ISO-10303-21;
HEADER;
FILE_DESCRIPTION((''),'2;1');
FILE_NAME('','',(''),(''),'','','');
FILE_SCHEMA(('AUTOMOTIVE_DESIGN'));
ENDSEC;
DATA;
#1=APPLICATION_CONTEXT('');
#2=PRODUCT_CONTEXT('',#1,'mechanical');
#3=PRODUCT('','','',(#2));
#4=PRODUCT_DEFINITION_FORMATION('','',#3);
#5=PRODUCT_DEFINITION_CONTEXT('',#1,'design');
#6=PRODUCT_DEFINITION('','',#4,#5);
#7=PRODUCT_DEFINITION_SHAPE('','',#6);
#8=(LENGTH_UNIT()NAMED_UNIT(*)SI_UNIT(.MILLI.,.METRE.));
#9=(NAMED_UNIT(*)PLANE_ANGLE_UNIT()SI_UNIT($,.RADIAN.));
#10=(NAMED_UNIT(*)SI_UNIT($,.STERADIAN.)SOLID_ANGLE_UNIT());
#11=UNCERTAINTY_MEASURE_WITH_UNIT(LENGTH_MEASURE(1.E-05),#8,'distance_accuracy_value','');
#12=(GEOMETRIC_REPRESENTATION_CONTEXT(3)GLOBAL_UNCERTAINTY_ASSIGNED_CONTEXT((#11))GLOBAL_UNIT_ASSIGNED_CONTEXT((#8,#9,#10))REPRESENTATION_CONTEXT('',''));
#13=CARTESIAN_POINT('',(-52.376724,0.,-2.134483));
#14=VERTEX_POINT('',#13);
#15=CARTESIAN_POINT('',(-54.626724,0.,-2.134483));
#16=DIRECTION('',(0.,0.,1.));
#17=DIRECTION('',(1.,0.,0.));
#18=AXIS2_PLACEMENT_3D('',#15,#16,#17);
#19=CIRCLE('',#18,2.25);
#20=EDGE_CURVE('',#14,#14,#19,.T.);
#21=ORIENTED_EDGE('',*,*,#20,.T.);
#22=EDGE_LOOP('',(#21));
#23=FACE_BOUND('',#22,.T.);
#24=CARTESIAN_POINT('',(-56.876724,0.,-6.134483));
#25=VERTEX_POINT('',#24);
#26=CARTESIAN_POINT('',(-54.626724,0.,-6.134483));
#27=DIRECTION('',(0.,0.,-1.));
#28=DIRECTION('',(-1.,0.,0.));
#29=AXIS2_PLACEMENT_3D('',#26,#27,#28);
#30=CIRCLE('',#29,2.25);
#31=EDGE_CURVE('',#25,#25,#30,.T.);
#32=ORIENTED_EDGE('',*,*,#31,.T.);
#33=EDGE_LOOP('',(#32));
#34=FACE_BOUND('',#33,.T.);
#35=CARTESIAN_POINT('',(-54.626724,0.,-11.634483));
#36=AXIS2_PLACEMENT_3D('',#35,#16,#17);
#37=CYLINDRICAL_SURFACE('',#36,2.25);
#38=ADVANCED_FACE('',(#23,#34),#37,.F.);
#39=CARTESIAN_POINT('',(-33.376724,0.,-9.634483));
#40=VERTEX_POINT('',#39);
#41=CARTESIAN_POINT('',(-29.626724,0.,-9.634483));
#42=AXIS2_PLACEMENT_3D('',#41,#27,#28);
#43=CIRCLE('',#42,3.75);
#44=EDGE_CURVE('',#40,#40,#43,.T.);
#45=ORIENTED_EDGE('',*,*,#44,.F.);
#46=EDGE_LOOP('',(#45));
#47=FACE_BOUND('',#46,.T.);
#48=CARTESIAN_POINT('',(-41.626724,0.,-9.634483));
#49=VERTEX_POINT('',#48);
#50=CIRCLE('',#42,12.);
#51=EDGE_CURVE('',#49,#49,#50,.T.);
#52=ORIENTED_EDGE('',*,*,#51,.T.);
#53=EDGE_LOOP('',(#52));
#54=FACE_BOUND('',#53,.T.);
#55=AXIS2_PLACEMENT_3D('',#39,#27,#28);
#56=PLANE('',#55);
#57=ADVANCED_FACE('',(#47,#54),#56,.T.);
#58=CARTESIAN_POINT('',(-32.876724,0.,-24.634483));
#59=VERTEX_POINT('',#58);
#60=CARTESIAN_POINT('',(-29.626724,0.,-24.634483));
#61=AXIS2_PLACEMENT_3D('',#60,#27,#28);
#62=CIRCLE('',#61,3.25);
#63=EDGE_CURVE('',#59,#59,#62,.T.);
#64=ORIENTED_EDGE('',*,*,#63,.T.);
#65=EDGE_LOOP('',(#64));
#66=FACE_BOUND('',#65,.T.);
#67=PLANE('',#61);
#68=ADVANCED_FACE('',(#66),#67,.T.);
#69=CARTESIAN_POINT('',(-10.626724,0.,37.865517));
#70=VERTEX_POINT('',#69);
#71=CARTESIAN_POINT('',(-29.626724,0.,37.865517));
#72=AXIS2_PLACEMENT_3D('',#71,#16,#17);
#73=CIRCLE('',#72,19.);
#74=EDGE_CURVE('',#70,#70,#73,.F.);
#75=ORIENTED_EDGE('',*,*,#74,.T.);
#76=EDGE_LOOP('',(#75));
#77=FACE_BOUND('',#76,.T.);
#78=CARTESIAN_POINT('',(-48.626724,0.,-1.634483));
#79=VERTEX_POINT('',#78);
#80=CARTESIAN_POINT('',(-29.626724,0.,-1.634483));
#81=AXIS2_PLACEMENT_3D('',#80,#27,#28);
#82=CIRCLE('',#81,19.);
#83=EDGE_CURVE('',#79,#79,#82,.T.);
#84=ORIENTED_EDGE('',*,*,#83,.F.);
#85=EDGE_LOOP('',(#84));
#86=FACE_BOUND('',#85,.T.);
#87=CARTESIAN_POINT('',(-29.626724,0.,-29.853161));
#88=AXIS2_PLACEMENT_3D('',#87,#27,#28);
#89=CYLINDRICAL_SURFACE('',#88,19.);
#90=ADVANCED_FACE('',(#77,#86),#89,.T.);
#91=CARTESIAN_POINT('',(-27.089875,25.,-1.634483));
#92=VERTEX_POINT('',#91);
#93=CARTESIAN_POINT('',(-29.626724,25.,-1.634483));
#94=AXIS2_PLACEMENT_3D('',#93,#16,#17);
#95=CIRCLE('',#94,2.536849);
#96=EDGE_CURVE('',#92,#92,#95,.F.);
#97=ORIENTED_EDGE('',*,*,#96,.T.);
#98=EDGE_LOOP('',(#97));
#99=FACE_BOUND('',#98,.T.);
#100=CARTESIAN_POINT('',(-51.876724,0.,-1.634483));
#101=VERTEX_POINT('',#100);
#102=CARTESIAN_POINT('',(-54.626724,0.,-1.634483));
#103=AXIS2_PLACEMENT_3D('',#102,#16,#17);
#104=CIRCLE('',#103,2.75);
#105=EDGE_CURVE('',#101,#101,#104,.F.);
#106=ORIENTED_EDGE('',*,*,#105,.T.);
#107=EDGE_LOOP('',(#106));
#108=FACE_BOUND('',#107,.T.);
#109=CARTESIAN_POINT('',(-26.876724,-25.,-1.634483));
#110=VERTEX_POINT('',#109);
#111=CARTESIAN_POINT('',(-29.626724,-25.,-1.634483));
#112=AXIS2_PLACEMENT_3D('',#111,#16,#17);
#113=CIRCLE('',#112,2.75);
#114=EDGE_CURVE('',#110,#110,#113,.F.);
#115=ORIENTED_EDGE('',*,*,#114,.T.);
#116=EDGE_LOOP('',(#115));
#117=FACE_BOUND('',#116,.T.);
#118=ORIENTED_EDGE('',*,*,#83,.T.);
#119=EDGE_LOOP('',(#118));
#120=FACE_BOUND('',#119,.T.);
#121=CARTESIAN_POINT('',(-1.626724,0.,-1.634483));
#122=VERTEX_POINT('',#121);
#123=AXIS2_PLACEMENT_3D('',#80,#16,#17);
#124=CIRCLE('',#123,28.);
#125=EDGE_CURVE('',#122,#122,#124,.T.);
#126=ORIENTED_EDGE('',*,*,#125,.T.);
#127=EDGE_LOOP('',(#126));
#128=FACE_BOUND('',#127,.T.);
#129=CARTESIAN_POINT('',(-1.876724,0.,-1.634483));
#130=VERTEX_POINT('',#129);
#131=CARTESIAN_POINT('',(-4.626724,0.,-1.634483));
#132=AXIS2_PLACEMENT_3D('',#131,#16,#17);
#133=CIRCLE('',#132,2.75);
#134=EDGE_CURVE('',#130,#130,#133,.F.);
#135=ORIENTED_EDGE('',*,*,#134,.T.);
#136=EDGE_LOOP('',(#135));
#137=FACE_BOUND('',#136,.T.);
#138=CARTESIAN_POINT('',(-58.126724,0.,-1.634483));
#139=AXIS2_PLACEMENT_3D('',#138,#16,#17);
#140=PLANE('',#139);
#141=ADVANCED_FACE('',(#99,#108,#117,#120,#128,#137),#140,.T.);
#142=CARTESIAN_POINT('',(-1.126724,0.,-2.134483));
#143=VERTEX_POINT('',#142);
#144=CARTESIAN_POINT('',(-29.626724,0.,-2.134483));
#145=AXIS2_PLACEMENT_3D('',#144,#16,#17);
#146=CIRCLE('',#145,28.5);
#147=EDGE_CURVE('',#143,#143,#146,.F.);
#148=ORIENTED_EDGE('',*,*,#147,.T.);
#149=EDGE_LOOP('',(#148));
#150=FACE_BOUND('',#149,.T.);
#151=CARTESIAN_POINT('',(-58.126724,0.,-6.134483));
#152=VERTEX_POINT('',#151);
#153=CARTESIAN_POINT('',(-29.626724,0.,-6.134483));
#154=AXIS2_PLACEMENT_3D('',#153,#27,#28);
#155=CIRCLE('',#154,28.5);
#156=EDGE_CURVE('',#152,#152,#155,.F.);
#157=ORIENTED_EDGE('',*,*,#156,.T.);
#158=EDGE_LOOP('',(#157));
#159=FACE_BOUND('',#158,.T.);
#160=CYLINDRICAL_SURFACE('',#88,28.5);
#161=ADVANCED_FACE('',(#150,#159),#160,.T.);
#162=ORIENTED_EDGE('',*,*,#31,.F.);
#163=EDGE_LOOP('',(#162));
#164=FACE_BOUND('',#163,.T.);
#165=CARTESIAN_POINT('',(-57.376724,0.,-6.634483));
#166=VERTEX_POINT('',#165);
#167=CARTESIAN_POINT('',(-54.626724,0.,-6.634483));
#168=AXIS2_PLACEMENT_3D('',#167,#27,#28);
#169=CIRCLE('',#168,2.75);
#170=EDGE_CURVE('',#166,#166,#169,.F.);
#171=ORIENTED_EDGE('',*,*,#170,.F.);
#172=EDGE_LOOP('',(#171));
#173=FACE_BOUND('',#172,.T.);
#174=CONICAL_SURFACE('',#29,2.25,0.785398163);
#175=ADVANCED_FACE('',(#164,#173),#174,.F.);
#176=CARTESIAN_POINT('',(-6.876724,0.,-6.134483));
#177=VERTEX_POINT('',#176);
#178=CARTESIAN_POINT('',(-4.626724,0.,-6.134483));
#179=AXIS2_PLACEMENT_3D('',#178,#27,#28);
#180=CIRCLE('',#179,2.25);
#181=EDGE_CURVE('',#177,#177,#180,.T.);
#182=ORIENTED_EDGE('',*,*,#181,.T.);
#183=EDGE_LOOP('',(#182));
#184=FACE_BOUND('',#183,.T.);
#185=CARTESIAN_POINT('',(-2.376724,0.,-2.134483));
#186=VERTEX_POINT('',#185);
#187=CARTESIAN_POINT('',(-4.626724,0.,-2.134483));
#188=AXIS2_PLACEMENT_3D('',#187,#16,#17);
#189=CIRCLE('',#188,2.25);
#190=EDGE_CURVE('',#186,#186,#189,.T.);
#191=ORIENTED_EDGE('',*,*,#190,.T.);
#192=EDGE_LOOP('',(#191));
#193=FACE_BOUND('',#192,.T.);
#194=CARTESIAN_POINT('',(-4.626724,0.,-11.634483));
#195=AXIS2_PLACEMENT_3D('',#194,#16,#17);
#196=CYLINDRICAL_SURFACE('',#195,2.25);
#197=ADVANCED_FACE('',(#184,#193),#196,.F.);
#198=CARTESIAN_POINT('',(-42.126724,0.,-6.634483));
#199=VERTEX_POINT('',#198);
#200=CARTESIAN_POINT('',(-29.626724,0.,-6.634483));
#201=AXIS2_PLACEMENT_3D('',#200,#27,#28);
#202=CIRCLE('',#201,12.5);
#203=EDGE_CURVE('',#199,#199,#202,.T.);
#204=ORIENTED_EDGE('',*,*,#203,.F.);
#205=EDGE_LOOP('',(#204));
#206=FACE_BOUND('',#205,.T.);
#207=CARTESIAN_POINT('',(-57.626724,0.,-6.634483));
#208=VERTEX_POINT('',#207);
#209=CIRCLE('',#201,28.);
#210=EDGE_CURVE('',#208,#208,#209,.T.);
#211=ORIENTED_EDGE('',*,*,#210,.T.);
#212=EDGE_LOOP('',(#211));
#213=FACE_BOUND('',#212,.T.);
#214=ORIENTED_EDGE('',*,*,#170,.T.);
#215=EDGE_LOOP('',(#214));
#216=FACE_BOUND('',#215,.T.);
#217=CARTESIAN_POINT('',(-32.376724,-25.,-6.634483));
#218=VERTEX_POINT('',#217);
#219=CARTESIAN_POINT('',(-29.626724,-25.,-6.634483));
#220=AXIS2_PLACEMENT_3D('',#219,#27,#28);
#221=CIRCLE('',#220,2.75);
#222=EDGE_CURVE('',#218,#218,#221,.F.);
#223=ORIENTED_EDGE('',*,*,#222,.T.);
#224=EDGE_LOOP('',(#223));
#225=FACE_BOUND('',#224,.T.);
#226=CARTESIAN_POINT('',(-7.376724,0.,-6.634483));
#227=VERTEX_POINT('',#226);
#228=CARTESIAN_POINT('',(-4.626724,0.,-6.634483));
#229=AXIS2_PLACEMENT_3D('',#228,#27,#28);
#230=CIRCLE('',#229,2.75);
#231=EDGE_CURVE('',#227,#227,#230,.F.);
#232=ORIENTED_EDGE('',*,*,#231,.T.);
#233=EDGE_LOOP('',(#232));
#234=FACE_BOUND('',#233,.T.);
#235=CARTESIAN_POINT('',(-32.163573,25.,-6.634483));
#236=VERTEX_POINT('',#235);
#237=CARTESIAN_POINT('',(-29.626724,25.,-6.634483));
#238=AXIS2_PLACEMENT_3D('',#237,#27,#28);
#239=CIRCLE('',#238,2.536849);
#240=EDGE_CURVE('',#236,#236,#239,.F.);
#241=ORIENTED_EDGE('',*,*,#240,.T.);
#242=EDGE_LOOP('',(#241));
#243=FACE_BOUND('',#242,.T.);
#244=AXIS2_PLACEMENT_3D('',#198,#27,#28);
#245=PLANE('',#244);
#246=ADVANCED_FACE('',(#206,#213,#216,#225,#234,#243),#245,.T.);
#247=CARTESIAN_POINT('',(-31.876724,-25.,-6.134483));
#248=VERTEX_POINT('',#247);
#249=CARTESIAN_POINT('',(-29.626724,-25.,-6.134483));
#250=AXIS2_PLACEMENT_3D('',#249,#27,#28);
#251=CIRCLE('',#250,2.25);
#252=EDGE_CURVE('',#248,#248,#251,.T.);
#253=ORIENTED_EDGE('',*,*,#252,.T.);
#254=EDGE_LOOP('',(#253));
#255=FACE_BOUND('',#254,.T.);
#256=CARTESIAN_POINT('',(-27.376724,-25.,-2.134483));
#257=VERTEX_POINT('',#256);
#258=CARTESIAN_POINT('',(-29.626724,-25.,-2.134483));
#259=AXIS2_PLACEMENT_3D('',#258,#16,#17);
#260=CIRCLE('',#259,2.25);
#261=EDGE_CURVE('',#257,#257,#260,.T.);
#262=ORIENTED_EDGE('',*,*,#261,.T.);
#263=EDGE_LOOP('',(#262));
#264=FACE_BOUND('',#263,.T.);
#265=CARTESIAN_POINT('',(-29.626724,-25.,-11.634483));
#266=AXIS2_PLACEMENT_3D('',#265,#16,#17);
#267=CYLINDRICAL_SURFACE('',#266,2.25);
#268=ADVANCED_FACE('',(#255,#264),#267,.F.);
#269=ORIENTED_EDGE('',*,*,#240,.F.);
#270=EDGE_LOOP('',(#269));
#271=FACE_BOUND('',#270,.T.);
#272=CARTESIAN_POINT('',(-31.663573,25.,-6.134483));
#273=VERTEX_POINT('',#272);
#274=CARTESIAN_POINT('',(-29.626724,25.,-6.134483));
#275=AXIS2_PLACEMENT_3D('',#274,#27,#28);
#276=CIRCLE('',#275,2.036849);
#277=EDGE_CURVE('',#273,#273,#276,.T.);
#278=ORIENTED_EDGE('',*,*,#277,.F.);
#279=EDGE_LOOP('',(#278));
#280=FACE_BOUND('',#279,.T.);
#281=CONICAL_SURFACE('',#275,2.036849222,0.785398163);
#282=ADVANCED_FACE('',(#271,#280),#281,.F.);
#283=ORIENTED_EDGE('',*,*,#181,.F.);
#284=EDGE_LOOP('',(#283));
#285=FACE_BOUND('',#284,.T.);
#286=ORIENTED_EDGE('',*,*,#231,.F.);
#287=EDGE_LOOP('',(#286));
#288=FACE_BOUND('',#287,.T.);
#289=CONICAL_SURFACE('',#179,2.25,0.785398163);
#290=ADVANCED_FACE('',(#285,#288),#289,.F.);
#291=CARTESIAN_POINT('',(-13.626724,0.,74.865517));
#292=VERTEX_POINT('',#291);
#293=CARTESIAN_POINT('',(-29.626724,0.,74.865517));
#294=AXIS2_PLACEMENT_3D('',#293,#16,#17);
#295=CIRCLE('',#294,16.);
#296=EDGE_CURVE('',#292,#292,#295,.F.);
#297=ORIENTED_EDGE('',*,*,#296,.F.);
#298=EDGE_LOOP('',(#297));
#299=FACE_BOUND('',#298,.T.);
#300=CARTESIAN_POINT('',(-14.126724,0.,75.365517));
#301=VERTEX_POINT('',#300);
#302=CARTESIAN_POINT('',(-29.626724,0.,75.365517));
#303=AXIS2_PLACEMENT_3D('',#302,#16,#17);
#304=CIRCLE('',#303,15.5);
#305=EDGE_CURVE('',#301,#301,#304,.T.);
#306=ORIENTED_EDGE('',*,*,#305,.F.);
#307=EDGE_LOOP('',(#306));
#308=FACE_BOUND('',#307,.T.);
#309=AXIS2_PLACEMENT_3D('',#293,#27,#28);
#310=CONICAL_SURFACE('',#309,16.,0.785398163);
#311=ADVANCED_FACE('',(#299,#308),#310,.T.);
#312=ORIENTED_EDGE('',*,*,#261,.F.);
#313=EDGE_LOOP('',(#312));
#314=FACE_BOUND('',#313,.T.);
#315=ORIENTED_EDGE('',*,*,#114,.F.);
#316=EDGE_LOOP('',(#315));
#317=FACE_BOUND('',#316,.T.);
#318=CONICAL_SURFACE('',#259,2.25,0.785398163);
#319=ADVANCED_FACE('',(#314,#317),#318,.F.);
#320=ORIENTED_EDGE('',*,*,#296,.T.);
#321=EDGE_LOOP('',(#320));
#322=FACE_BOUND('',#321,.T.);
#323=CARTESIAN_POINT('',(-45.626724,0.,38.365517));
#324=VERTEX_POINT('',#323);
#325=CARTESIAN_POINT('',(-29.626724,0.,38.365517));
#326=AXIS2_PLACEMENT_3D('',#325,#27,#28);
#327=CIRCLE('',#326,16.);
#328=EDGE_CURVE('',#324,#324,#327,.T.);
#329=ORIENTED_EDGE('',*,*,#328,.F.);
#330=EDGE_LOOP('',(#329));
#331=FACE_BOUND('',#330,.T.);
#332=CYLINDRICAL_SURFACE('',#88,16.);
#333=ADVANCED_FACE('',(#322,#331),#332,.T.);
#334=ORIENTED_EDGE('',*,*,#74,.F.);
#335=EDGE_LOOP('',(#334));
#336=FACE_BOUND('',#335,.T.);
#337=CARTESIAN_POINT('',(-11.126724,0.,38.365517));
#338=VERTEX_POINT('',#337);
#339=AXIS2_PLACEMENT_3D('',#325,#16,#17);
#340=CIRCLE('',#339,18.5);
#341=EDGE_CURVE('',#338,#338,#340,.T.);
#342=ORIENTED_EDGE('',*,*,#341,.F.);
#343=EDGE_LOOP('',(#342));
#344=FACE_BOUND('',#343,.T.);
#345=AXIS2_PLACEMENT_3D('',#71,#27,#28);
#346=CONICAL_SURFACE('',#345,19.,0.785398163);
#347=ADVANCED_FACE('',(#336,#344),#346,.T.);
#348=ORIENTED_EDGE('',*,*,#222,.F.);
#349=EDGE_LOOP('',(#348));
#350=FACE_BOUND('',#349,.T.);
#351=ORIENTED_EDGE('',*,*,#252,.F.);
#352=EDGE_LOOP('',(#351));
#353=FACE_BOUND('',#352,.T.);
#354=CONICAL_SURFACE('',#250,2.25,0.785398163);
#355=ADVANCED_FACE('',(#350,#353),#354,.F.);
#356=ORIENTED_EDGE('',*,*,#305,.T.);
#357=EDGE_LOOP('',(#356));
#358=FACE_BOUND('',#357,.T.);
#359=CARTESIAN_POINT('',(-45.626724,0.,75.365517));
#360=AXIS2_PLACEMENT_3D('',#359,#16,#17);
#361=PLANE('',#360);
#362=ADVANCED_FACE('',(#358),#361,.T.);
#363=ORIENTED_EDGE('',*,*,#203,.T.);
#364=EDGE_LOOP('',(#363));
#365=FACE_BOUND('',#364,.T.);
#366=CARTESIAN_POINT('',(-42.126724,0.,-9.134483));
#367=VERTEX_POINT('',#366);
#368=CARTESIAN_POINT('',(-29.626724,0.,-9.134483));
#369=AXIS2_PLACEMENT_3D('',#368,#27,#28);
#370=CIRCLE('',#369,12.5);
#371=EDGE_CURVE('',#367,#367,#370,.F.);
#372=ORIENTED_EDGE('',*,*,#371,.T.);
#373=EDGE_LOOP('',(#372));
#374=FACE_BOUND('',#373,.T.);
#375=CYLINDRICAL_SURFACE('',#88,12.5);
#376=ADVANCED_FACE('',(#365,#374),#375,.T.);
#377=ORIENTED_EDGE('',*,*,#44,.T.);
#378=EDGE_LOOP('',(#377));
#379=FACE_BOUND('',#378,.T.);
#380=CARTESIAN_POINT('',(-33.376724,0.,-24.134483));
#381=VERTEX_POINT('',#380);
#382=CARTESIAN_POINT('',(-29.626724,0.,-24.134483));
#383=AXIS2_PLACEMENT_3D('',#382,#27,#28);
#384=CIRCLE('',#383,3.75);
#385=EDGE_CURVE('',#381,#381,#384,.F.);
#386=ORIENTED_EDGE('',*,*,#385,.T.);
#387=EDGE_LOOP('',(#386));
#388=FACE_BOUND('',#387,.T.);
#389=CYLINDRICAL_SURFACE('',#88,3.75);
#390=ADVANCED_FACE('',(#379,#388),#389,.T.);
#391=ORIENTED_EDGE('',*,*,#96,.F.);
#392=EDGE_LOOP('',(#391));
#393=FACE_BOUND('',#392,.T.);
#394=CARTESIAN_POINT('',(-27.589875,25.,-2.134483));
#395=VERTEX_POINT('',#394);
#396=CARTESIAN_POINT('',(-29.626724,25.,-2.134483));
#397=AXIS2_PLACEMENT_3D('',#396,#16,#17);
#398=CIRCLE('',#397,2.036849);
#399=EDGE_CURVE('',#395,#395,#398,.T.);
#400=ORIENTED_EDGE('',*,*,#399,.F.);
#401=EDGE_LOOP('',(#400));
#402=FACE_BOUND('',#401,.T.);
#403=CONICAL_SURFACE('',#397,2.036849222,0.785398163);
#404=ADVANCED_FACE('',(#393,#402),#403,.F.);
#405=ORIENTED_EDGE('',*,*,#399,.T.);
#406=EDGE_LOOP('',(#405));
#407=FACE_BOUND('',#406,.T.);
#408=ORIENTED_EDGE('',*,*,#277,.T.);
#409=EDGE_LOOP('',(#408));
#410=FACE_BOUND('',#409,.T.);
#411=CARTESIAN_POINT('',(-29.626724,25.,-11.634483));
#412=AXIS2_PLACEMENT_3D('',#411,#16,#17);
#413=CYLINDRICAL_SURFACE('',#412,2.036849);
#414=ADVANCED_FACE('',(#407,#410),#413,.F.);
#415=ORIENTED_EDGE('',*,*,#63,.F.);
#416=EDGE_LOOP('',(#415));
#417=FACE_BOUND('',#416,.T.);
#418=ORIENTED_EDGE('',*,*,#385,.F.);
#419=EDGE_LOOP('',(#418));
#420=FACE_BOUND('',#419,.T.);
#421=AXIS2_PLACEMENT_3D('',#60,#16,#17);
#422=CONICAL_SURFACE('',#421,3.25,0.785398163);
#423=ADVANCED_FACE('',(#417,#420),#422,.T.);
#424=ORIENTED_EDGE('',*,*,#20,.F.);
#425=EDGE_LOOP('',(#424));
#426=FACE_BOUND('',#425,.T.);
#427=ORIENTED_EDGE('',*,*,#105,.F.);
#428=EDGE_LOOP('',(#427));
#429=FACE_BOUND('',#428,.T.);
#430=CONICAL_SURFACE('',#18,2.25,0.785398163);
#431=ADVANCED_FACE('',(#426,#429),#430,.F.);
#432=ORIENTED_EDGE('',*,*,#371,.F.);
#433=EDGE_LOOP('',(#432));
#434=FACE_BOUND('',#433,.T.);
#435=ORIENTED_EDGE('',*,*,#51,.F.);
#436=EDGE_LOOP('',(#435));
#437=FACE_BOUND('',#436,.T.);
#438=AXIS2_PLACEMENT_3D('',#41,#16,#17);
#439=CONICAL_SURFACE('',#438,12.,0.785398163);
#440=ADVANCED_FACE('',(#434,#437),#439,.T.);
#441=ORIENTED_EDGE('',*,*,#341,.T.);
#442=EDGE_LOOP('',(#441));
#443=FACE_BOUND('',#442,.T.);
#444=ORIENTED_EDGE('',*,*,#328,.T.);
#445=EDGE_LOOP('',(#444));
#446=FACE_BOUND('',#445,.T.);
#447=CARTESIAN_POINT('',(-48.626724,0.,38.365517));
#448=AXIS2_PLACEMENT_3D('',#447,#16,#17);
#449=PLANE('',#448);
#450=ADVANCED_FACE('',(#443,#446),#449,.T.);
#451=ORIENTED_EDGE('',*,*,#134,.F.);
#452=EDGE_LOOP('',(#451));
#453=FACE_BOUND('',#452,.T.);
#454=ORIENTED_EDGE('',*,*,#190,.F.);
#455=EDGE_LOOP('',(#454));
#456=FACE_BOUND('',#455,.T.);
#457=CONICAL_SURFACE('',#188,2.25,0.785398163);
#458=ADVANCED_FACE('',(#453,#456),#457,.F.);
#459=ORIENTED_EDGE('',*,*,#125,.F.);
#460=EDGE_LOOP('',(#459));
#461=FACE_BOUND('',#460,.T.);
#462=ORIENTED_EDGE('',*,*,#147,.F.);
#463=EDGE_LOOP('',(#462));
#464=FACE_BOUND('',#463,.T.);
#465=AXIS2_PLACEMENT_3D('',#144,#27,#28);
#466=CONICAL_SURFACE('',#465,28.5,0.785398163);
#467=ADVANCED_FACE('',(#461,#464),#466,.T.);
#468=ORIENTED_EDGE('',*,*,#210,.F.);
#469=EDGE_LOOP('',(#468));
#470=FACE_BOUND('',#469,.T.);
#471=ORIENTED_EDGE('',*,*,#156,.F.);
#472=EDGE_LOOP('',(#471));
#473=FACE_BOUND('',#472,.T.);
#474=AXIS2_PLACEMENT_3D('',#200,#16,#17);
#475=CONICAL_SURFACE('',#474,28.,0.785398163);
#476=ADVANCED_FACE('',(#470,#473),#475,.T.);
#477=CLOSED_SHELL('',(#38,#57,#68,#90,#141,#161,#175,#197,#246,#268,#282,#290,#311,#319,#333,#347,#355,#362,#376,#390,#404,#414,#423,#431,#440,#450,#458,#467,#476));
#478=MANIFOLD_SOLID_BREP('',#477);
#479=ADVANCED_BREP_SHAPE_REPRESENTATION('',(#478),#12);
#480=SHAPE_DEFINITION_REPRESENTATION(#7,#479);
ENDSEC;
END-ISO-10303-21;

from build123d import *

# Parameters (mm, degrees)
SKETCH2_R          = 2.25
SKETCH2_R_2        = 2.036849222
CUT_EXTRUDE1_DEPTH = 10
CHAMFER1_SIZE      = 0.5
CHAMFER2_SIZE      = 0.5


with BuildPart() as part:
    # Sketch1 → Revolve1 (revolve)
    with BuildSketch(Plane(origin=(0, 0, 0), x_dir=(1, 0, 0), z_dir=(0, 1, 0))):
        Polygon((-29.626724138, 24.634482759), (-33.376724138, 24.634482759), (-33.376724138, 9.634482759), (-42.126724138, 9.634482759), (-42.126724138, 6.634482759), (-58.126724138, 6.634482759), (-58.126724138, 1.634482759), (-48.626724138, 1.634482759), (-48.626724138, -38.365517241), (-45.626724138, -38.365517241), (-45.626724138, -75.365517241), (-29.626724138, -75.365517241), align=None)
    revolve(axis=Axis((-29.626724138, 0, -29.85316092), (0, 0, 1)))

    # Sketch2 → Cut-Extrude1 (cut)
    with BuildSketch(Plane.XY.offset(-1.634482759)):
        with Locations((-4.626724138, 0)):
            Circle(SKETCH2_R)
        with Locations((-29.626724138, 25)):
            Circle(SKETCH2_R_2)
        with Locations((-54.626724138, 0)):
            Circle(SKETCH2_R)
        with Locations((-29.626724138, -25)):
            Circle(SKETCH2_R)
    extrude(amount=-CUT_EXTRUDE1_DEPTH, mode=Mode.SUBTRACT)

    # Chamfer1
    chamfer1_edges = [part.edges().sort_by_distance(p)[0] for p in [
        (-6.876724138, 0, -6.634482759),
        (-6.876724138, 0, -1.634482759),
        (-31.66357336, 25, -6.634482759),
        (-31.66357336, 25, -1.634482759),
        (-56.876724138, 0, -6.634482759),
        (-56.876724138, 0, -1.634482759),
        (-31.876724138, -25, -6.634482759),
        (-31.876724138, -25, -1.634482759),
        (-25.876724138, 0, -24.634482759),
        (-17.126724138, 0, -9.634482759),
        (-1.126724138, 0, -6.634482759),
        (-1.126724138, 0, -1.634482759),
    ]]
    chamfer(chamfer1_edges, length=CHAMFER1_SIZE)

    # Chamfer2
    chamfer2_edges = [part.edges().sort_by_distance(p)[0] for p in [
        (-10.626724138, 0, 38.365517241),
        (-13.626724138, 0, 75.365517241),
    ]]
    chamfer(chamfer2_edges, length=CHAMFER2_SIZE)


solid = part.part
